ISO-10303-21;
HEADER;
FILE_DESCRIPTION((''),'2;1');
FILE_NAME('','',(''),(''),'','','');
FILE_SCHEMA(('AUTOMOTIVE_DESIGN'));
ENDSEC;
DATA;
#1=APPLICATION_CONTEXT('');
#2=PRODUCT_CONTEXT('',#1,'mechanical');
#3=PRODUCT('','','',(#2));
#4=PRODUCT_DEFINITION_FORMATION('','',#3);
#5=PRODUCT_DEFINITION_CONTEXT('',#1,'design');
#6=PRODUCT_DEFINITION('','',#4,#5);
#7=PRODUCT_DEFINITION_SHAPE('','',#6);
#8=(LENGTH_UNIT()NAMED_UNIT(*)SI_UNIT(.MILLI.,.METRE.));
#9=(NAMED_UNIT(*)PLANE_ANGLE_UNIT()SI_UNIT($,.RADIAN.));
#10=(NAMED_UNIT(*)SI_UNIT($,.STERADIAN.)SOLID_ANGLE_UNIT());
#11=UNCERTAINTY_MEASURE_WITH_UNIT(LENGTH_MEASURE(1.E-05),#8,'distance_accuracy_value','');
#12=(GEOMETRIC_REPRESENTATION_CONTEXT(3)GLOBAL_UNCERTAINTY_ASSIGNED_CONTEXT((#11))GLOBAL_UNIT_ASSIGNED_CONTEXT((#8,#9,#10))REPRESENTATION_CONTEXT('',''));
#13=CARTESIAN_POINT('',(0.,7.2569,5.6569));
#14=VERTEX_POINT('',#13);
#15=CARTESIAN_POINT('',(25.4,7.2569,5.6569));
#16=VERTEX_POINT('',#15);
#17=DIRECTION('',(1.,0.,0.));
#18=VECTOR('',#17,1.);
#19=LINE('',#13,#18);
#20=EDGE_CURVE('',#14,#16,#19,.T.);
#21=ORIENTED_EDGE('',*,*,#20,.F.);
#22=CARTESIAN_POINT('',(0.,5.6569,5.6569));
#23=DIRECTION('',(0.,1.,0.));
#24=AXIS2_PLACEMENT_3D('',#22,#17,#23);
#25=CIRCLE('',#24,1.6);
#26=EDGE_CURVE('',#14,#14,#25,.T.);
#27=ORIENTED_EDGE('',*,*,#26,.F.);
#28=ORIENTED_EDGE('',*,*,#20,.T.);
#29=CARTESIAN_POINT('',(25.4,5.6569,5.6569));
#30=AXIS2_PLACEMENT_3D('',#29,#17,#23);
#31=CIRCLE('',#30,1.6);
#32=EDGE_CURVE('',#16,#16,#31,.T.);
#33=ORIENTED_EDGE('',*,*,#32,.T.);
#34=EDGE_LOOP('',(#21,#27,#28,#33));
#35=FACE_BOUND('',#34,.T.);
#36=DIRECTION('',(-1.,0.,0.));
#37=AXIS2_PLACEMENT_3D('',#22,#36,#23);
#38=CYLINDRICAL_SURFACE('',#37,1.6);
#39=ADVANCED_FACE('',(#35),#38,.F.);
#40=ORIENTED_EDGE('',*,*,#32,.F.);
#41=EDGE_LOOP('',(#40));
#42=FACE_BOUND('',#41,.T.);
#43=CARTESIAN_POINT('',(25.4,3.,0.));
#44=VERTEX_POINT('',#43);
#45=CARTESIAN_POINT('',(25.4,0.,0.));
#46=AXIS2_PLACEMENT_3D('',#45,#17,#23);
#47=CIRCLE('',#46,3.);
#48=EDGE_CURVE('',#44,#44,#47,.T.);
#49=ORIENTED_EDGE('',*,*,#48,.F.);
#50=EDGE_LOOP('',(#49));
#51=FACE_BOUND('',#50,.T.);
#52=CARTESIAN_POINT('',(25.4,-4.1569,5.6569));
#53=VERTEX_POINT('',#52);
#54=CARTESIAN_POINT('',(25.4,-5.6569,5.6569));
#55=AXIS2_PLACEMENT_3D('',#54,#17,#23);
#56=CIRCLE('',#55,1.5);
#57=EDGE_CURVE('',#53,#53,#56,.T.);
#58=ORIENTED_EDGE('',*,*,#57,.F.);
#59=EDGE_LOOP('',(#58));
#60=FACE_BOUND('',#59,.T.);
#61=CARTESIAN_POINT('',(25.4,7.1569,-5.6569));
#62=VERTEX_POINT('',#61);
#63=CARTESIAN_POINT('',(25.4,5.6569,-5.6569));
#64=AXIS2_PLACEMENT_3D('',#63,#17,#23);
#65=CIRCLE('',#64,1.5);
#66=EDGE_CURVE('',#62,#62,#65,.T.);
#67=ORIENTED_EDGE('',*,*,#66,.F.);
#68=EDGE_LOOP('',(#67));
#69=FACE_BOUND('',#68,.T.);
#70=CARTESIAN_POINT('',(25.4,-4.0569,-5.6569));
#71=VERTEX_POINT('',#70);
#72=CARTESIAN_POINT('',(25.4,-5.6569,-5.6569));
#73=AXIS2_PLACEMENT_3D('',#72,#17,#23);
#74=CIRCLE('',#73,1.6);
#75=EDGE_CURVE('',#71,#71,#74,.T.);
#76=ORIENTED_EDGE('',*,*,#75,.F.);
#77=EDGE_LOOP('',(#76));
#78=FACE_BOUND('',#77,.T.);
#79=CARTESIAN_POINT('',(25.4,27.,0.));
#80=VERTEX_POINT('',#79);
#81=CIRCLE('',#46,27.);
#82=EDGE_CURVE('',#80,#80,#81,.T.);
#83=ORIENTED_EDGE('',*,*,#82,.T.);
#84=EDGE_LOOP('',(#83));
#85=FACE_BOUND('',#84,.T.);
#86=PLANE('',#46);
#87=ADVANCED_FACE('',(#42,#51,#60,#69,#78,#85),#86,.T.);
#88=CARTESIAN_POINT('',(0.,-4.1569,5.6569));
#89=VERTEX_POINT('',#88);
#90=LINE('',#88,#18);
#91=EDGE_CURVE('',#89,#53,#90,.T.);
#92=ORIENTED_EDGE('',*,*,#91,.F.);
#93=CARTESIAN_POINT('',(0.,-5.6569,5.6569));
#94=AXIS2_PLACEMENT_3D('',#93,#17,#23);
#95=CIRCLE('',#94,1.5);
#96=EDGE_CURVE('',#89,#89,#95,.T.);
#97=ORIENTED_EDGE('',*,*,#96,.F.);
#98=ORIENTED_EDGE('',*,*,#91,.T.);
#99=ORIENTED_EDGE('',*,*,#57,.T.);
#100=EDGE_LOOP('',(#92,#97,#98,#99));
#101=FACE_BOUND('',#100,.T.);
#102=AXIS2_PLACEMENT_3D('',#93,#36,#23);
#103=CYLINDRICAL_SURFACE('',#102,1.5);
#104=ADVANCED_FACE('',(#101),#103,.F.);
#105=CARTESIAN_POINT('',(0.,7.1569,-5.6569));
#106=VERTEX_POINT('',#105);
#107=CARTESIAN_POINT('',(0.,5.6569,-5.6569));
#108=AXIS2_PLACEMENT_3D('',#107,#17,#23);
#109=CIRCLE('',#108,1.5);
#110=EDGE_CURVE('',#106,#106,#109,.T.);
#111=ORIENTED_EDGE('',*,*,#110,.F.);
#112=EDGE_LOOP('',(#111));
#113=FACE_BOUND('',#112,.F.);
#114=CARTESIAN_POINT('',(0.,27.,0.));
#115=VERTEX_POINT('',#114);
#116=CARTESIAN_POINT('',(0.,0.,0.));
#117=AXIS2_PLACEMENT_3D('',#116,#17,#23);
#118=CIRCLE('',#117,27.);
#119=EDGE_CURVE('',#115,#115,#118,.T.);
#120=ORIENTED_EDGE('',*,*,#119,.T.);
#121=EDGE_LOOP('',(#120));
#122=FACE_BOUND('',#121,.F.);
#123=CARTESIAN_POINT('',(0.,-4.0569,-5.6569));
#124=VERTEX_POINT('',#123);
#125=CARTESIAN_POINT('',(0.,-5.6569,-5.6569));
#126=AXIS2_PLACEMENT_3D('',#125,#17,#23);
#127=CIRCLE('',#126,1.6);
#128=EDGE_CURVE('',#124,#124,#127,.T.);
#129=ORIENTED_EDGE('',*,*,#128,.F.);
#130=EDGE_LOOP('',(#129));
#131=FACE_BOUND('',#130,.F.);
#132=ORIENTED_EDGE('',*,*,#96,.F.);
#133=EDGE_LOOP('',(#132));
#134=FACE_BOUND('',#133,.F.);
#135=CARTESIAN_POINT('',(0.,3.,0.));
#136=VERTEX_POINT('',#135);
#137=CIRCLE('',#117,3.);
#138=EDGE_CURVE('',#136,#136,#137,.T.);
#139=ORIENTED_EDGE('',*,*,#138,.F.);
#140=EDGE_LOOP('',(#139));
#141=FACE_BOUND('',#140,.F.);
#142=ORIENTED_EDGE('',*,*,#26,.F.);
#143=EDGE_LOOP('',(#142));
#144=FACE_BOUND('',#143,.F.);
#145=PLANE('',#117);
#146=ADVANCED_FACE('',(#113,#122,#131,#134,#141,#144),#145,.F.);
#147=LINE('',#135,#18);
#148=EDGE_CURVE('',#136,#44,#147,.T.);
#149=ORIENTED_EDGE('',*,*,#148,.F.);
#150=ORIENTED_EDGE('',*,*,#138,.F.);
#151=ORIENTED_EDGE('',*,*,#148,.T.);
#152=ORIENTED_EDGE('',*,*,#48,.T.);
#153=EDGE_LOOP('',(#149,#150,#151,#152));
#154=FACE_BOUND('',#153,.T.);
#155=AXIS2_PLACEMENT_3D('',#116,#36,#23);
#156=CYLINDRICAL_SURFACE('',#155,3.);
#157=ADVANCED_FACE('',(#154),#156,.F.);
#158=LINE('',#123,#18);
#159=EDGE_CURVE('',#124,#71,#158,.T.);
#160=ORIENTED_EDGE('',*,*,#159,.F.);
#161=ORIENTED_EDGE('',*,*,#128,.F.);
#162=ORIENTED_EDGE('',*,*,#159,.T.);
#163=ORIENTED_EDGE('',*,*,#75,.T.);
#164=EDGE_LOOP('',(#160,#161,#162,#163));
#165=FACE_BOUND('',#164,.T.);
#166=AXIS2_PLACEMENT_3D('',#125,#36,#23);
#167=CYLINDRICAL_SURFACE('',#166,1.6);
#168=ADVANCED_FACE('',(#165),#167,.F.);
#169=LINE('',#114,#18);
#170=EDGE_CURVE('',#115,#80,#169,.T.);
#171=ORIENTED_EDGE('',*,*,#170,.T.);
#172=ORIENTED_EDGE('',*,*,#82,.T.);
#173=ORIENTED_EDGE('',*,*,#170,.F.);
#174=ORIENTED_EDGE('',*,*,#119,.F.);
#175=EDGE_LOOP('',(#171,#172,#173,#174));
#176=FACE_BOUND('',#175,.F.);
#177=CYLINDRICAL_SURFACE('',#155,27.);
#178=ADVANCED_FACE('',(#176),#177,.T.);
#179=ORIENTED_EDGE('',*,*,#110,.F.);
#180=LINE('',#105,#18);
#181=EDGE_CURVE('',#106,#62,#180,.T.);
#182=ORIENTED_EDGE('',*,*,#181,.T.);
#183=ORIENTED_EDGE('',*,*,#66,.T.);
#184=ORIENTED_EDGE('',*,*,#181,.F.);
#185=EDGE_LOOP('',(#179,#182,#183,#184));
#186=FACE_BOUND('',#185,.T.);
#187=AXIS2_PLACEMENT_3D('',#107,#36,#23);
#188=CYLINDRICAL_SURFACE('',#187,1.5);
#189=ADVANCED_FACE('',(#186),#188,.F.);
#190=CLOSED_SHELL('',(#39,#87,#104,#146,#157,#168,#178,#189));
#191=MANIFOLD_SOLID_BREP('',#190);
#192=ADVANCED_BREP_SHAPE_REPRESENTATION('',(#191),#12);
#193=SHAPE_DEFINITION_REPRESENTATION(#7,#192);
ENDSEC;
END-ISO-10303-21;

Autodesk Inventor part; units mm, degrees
ref_plane "YZ Plane" through (0, 0, 0) normal (1, 0, 0) x (0, 1, 0)
ref_plane "XZ Plane" through (0, 0, 0) normal (0, 1, 0) x (-1, 0, 0)
ref_plane "XY Plane" through (0, 0, 0) normal (0, 0, 1) x (1, 0, 0)
sketch "Sketch1" plane through (0, 0, 0) normal (1, 0, 0) x (0, 1, 0)
  circle A0 centre (0, 0) radius 27
  circle A1 centre (0, 0) radius 8 construction
  line L0 (-8, 8) -> (8, 8) construction
  line L1 (8, 8) -> (8, -8) construction
  line L2 (8, -8) -> (-8, -8) construction
  line L3 (-8, -8) -> (-8, 8) construction
  line L4 (-8, 8) -> (8, -8) construction
  line L5 (8, 8) -> (-8, -8) construction
  circle A2 centre (5.6569, 5.6569) radius 1.6
  circle A3 centre (5.6569, -5.6569) radius 1.5
  circle A4 centre (-5.6569, -5.6569) radius 1.6
  circle A5 centre (-5.6569, 5.6569) radius 1.5
  circle A6 centre (0, 0) radius 3
  dimension "d0" = 54
  dimension "d1" = 16
  dimension "d2" = 3.2
  dimension "d3" = 3
  dimension "d4" = 3.2
  dimension "d5" = 3
  dimension "d6" = 6
  dimension "d7" = 16
  dimension "d8" = 16
extrude "Extrusion1" add sketch "Sketch1" along normal blind 25.4
properties part number "60mm_Grip_Wheel"
